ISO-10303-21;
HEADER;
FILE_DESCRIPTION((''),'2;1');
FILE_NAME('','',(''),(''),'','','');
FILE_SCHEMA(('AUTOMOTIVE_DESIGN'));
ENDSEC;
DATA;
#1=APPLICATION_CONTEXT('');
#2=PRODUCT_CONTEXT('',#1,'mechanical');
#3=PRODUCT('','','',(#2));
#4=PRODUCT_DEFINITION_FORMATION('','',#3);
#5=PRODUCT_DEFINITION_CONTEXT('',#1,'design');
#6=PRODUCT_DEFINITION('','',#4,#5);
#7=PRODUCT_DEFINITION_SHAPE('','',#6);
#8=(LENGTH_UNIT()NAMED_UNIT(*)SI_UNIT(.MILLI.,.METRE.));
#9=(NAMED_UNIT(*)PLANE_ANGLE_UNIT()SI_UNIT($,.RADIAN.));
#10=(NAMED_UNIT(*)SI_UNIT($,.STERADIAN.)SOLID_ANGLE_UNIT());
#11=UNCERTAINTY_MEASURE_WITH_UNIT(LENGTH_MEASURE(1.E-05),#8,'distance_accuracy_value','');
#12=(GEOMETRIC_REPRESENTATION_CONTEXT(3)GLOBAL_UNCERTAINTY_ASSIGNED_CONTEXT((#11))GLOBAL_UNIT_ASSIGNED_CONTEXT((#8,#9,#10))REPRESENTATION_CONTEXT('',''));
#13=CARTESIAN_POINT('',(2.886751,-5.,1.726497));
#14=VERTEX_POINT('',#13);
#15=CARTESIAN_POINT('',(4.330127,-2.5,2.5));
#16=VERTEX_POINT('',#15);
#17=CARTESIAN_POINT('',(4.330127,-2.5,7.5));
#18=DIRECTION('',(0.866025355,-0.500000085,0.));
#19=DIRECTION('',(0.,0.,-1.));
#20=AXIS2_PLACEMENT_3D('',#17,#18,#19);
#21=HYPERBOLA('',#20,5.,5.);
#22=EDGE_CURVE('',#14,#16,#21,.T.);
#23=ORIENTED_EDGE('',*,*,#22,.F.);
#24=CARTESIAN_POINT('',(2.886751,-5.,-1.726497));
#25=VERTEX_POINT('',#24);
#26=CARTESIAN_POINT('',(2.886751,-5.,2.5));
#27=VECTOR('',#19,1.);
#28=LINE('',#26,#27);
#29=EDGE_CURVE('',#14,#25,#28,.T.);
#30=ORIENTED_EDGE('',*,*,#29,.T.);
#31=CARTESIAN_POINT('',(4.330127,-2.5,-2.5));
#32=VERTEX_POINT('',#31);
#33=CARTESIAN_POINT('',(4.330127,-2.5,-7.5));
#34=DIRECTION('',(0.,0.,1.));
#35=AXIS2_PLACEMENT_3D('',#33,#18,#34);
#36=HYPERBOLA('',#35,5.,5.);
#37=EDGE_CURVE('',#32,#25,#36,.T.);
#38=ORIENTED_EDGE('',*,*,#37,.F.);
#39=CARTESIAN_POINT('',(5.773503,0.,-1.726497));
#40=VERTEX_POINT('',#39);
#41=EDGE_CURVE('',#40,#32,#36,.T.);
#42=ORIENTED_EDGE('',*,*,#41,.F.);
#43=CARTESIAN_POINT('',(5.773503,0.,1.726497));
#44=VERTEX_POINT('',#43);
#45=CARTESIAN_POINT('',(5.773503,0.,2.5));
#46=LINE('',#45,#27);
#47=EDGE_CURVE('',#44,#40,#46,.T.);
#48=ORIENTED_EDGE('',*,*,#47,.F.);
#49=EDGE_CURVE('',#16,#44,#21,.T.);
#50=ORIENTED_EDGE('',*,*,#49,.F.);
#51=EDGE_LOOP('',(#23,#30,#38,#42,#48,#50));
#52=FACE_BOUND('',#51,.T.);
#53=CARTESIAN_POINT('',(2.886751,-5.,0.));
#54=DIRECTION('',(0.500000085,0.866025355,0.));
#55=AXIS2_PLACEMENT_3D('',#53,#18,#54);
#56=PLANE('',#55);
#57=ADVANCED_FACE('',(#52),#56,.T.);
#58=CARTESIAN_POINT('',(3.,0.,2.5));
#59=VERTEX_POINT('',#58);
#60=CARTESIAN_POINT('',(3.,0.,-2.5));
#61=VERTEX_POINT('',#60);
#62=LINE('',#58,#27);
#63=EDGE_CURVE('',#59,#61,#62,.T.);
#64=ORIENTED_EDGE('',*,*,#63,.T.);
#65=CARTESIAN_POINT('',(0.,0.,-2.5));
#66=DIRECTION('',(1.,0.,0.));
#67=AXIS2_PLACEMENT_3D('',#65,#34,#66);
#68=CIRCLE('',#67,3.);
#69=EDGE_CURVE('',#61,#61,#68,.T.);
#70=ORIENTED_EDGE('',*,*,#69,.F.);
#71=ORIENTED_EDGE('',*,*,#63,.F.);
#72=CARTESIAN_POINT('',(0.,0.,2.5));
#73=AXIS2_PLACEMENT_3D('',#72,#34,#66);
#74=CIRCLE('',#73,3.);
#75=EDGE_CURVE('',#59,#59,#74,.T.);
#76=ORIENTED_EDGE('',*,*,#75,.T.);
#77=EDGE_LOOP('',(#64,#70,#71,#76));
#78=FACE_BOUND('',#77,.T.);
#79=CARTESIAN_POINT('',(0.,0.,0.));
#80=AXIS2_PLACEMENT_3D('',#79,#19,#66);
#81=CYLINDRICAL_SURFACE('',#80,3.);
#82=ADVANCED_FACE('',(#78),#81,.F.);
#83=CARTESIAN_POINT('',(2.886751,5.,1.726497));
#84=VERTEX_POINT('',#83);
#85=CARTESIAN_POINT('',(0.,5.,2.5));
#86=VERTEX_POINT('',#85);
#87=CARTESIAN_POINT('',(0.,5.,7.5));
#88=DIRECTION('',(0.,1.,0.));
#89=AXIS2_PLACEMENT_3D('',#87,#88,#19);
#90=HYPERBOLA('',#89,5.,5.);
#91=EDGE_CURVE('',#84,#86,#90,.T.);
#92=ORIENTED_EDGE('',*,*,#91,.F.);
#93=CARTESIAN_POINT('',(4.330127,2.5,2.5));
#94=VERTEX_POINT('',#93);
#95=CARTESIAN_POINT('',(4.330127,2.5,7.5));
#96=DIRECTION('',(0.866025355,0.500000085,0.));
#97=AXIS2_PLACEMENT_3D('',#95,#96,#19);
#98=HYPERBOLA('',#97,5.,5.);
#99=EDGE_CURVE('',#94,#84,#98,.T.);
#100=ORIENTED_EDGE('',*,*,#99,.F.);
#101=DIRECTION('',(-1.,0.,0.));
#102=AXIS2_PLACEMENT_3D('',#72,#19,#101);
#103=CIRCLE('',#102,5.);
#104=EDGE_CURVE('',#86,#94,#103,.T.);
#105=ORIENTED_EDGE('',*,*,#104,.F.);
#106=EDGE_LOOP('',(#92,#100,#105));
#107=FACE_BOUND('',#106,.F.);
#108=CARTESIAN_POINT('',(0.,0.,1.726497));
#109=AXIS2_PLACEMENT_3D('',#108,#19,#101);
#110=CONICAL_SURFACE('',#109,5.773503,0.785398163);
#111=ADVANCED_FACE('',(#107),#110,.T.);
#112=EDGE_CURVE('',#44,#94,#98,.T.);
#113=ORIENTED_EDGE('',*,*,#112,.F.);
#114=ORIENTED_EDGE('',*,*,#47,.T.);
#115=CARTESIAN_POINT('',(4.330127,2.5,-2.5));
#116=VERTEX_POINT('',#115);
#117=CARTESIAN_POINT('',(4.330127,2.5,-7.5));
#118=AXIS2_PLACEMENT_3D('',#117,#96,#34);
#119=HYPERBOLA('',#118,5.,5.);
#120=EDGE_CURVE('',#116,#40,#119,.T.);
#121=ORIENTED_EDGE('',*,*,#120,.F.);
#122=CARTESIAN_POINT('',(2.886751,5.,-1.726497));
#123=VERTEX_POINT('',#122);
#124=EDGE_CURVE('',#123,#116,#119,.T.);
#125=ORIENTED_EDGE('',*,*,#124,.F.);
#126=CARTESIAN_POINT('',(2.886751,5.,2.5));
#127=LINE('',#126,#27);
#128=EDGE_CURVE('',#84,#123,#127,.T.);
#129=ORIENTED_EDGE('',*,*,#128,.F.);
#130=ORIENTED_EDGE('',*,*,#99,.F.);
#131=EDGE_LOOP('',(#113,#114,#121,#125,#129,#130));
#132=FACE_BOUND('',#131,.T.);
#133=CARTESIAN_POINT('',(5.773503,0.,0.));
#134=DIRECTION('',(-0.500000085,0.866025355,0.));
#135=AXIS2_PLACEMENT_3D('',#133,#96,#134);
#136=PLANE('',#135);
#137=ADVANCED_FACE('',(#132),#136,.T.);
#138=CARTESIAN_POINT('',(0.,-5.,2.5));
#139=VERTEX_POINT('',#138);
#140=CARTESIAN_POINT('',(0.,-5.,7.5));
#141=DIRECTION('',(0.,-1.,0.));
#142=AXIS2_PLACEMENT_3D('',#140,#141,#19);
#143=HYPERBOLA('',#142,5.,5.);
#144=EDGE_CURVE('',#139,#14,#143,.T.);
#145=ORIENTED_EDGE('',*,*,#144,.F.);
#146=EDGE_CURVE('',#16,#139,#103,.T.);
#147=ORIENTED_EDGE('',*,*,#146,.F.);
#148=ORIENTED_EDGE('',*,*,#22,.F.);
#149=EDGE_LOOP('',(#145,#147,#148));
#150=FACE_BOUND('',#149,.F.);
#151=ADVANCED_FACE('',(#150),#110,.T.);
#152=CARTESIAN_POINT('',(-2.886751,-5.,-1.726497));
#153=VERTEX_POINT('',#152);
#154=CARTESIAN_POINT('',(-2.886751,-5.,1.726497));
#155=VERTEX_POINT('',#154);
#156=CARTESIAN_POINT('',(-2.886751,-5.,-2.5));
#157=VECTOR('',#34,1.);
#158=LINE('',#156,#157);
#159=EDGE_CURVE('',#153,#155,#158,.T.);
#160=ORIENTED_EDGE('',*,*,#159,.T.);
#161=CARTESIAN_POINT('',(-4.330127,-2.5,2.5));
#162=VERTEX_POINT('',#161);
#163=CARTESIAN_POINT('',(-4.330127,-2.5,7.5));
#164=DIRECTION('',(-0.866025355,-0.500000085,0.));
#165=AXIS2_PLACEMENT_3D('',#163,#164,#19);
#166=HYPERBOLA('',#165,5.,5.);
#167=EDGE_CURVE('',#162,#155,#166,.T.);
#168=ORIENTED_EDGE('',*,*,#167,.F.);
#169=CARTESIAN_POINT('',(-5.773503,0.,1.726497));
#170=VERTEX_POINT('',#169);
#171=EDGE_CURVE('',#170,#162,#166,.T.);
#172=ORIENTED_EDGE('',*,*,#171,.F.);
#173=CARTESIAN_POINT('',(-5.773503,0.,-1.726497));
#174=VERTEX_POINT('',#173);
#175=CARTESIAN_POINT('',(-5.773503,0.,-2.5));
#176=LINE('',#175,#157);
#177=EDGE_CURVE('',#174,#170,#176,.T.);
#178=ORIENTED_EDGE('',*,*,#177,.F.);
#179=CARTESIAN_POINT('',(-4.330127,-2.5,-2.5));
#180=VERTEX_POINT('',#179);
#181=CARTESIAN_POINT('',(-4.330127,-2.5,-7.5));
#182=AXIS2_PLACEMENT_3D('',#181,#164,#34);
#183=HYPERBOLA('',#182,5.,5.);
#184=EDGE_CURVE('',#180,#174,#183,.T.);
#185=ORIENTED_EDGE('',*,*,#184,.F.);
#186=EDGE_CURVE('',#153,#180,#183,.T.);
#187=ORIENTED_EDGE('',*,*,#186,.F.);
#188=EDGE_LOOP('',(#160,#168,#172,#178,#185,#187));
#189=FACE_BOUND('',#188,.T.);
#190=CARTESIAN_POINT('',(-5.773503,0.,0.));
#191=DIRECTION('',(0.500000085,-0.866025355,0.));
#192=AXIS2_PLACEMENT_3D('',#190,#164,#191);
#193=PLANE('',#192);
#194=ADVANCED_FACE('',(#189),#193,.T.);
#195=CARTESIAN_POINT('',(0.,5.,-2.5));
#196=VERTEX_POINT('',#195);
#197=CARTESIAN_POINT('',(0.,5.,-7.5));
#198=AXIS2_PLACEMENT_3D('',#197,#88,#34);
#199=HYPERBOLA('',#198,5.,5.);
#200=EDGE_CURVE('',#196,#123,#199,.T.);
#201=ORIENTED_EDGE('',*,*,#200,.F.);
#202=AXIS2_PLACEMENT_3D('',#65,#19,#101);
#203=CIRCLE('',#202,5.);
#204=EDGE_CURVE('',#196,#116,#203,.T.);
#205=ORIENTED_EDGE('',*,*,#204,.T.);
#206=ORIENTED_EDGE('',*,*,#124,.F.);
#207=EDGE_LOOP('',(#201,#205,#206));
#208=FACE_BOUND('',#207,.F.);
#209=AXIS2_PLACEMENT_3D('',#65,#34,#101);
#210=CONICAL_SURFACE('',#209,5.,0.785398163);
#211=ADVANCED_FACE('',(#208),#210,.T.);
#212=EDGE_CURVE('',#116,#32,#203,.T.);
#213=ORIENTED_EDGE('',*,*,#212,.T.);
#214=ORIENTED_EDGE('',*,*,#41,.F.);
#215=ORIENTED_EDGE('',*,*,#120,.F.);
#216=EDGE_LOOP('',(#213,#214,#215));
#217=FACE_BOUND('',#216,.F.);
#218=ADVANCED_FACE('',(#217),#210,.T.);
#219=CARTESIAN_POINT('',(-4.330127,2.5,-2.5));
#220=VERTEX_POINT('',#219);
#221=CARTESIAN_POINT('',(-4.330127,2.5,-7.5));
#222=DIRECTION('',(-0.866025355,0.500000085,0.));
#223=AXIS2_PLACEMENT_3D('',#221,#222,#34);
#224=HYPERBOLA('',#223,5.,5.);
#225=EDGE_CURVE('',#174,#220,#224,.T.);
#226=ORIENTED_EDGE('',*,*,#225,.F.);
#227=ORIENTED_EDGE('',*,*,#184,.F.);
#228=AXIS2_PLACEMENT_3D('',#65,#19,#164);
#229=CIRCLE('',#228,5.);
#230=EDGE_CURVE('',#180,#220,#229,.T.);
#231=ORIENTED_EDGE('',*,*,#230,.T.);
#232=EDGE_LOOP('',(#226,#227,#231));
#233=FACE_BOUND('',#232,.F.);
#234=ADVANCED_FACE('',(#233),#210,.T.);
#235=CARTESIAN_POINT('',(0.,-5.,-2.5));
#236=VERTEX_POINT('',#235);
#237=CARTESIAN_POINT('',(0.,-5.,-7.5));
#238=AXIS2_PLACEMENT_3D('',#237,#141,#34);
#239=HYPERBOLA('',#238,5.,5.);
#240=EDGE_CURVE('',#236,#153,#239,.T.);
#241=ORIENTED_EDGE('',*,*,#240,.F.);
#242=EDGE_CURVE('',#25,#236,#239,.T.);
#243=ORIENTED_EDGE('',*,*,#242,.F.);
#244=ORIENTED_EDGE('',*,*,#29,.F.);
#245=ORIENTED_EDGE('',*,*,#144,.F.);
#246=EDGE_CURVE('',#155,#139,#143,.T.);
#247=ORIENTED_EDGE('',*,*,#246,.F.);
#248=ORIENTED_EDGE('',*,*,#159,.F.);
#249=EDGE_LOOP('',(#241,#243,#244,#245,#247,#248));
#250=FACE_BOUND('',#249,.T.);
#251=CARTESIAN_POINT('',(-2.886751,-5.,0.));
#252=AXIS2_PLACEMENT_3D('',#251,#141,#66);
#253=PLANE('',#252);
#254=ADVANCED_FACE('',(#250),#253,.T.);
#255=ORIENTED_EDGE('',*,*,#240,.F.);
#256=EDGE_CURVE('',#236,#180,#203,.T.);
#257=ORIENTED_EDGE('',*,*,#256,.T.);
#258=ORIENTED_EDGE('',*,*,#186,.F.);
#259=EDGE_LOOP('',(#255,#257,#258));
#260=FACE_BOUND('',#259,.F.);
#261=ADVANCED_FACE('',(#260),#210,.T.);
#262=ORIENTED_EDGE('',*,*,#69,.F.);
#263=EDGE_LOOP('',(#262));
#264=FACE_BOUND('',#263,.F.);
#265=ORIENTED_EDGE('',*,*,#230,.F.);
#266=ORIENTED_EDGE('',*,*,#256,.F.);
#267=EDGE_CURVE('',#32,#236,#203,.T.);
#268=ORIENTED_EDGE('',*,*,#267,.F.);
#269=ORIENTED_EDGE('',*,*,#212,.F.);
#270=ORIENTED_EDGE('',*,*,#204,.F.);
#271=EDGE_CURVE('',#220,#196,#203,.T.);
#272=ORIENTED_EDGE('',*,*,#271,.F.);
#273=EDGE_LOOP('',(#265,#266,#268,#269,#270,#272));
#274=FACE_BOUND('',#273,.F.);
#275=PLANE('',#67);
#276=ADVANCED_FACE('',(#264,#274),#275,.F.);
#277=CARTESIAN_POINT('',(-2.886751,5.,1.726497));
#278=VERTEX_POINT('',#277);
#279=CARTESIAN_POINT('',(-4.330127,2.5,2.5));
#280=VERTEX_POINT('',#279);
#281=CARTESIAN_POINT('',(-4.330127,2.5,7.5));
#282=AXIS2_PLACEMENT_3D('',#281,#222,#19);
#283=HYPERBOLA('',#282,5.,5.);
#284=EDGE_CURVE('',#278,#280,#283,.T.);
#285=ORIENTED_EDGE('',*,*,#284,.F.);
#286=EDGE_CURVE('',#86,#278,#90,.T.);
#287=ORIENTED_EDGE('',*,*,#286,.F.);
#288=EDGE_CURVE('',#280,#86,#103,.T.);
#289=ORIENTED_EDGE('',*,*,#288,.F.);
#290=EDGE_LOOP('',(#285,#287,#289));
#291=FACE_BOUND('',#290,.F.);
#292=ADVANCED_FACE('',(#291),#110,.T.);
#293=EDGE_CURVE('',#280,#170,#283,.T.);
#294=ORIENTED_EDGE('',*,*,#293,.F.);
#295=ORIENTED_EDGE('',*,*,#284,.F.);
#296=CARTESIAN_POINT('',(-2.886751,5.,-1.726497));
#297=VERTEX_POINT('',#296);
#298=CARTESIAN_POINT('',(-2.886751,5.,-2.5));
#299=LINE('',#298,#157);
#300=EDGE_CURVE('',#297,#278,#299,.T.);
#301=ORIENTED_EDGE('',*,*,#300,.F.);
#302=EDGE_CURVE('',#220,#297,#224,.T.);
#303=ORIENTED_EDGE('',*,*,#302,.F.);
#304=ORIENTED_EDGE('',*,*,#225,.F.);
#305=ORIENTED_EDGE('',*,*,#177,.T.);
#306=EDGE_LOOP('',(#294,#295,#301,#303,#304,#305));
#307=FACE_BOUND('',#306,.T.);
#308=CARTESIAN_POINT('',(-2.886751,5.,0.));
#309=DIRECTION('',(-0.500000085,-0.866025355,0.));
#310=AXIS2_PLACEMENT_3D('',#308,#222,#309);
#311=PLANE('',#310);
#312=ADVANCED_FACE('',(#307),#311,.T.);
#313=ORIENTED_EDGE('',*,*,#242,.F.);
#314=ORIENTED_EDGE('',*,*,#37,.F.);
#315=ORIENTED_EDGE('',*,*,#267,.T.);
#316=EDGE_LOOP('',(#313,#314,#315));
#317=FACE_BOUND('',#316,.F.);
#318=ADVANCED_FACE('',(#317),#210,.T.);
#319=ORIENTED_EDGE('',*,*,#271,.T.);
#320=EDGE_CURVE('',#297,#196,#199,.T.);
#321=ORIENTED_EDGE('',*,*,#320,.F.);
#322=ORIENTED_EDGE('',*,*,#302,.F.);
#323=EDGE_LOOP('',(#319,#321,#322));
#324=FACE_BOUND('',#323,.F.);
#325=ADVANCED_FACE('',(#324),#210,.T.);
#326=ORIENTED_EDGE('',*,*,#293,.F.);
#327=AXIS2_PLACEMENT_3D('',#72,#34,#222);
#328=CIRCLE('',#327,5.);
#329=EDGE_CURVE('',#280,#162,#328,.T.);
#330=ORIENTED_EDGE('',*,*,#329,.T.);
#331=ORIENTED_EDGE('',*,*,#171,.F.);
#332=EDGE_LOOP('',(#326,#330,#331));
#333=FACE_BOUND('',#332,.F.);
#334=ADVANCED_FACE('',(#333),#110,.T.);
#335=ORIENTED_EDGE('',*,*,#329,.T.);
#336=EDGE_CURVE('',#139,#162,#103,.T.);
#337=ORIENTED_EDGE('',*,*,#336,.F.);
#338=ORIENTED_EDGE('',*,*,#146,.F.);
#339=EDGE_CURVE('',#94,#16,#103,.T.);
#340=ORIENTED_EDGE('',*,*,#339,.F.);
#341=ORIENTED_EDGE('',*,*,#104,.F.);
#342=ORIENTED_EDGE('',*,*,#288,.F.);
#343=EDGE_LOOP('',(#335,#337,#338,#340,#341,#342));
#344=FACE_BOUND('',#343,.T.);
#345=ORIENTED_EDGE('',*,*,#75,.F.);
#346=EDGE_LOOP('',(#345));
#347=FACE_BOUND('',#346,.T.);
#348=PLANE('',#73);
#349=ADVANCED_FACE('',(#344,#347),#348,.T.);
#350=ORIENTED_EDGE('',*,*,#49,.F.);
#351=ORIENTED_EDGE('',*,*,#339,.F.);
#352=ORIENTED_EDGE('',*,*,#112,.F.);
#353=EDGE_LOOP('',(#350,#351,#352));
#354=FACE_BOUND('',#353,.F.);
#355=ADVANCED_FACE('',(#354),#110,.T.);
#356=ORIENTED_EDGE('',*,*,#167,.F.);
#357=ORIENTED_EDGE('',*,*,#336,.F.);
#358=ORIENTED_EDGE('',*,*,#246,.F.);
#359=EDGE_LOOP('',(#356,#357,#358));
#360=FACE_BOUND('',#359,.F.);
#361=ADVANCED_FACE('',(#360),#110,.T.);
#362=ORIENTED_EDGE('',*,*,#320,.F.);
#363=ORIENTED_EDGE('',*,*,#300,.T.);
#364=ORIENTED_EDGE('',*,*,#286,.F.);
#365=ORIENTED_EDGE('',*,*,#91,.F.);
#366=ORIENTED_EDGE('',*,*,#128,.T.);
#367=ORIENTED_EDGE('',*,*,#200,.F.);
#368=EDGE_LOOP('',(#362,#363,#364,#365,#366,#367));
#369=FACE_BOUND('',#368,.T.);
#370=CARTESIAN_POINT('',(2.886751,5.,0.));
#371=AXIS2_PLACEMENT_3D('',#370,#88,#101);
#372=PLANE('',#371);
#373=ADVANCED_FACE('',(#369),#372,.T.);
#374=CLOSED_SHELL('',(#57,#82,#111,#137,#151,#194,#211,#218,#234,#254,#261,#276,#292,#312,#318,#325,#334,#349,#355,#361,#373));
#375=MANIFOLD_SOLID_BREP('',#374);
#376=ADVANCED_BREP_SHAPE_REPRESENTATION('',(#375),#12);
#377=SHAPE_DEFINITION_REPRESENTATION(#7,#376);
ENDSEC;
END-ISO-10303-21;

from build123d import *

# Parameters (mm, degrees)
F0_R     = 3
F1_DEPTH = 2.5


with BuildPart() as f1:
    # F0 (on Top) → F1 (new body, symmetric)
    with BuildSketch(Plane.XY):
        Polygon((2.886751, 5), (-2.886751, 5), (-5.773503, 0), (-2.886751, -5), (2.886751, -5), (5.773503, 0), align=None)
        Circle(F0_R, mode=Mode.SUBTRACT)
    extrude(amount=F1_DEPTH, both=True)

    # F2 (on Front) → F3 (revolve, cut)
    with BuildSketch(Plane.XZ):
        Polygon((-5.773503, 2.5), (-5.773503, 1.726497), (-5, 2.5), align=None)
        Polygon((-5, -2.5), (-5.773503, -1.726497), (-5.773503, -2.5), align=None)
    revolve(axis=Axis((0, 0, -0.060454), (0, 0, -1)), mode=Mode.SUBTRACT)


solid = f1.part
